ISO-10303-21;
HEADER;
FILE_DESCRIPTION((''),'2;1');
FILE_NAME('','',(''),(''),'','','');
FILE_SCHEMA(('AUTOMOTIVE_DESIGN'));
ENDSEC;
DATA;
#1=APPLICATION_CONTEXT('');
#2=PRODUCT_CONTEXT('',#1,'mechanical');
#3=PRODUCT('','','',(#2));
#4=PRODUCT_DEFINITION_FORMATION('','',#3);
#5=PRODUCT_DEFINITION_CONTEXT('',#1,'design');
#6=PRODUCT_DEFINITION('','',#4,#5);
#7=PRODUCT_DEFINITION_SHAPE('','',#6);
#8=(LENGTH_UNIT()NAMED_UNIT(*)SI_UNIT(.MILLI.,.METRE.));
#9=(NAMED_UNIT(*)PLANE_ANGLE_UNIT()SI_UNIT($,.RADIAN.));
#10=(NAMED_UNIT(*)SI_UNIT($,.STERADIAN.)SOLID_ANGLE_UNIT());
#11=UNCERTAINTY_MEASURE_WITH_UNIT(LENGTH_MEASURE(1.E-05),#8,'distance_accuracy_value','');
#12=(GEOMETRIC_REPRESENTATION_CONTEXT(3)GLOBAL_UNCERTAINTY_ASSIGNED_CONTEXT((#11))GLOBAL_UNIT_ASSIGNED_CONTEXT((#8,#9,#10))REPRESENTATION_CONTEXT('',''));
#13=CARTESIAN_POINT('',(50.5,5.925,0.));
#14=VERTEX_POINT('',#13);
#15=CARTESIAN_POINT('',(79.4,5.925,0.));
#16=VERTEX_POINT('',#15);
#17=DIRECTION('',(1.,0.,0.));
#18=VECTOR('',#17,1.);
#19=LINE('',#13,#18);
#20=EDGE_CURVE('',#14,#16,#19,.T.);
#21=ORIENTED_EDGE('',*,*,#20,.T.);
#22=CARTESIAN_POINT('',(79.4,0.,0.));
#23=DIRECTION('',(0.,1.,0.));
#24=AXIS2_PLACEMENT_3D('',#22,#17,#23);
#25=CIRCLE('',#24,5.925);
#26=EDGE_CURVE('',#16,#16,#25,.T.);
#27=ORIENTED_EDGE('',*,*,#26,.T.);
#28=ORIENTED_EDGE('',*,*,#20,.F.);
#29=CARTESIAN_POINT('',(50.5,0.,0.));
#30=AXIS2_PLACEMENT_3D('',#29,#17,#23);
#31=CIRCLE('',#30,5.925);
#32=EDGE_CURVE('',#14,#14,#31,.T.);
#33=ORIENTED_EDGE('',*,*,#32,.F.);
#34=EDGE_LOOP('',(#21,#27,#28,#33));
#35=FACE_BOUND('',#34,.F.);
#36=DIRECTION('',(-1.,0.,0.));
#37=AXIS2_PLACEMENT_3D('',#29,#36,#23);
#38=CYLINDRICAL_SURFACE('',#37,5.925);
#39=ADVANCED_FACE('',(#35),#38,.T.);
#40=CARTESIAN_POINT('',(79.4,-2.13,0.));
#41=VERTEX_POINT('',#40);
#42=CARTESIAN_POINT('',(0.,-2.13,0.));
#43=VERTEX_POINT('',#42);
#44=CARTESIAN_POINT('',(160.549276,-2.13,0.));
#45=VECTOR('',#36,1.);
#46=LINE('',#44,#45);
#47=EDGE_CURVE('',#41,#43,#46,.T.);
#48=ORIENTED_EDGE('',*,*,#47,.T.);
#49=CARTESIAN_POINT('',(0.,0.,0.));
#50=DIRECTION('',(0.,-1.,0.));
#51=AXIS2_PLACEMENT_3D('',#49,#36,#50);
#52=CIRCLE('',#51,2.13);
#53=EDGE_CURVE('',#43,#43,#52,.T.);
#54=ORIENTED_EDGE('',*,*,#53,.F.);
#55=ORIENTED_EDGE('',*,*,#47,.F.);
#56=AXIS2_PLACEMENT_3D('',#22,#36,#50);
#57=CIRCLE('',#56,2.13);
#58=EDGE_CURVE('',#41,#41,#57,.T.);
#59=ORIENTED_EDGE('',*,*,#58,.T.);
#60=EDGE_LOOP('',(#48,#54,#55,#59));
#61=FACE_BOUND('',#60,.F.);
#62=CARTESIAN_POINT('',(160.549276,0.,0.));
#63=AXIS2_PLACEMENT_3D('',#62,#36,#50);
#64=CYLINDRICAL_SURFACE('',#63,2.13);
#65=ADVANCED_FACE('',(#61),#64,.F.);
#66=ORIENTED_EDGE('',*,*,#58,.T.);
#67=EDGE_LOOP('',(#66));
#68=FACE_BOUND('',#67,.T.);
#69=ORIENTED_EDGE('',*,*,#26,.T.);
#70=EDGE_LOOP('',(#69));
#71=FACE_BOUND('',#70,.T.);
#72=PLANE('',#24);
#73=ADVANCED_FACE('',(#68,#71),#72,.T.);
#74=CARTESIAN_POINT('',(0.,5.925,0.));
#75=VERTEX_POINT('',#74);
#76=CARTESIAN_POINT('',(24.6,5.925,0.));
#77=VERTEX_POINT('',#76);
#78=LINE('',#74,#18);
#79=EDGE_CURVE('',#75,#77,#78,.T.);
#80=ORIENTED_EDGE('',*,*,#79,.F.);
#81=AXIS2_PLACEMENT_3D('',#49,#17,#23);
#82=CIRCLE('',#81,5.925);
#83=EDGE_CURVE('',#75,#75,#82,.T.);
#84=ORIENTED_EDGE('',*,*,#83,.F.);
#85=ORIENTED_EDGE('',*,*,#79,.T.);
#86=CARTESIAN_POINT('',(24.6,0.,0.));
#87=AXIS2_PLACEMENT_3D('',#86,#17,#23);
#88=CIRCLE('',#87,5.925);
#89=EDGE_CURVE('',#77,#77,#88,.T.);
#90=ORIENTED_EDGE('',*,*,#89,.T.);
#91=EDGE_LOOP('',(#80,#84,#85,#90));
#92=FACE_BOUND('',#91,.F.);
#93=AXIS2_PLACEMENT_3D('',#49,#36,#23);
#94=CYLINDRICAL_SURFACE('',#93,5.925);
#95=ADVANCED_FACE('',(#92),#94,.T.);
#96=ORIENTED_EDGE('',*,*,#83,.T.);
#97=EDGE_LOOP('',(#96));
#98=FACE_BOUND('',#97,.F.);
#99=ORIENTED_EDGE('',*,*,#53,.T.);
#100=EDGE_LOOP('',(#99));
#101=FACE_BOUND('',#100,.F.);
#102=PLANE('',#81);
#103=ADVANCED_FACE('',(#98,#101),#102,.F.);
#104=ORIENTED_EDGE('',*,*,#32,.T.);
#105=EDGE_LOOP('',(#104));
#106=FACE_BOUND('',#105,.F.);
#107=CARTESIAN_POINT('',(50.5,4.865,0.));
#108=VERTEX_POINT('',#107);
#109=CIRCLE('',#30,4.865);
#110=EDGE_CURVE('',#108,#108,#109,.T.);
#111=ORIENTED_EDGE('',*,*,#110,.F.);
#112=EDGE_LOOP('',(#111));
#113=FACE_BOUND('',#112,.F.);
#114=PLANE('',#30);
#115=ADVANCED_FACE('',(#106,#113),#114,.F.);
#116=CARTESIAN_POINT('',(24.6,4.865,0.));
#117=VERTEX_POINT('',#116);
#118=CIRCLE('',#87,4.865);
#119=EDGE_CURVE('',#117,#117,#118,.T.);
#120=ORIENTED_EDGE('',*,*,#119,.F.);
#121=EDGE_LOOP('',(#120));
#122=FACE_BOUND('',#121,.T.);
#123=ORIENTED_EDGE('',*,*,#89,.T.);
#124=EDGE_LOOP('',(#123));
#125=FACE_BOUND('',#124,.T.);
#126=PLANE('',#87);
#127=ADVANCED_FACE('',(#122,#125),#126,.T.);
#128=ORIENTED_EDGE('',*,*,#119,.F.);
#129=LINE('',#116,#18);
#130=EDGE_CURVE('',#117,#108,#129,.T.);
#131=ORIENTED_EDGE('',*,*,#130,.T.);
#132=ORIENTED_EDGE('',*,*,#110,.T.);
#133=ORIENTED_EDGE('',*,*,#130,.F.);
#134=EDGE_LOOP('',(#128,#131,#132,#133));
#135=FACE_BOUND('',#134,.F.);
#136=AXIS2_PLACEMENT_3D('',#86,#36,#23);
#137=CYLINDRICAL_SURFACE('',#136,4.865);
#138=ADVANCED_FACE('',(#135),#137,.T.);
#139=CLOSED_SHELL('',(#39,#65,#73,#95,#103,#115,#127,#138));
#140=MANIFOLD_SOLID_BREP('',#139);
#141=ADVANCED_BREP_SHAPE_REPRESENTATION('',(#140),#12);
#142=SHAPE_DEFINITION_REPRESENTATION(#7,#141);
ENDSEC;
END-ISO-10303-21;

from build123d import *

# Parameters (mm, degrees)
F0_R     = 5.925
F1_DEPTH = 24.6
F2_R     = 4.865
F3_DEPTH = 25.9
F4_R     = 5.925
F4_R_2   = 4.865
F5_DEPTH = 28.9
F7_D     = 4.26


with BuildPart() as f1:
    # F0 (on Right) → F1 (new body)
    with BuildSketch(Plane.YZ):
        Circle(F0_R)
    extrude(amount=F1_DEPTH)

    # F2 (on face) → F3 (join)
    with BuildSketch(Plane.YZ.offset(24.6)):
        Circle(F2_R)
    extrude(amount=F3_DEPTH)

    # F4 (on face) → F5 (join)
    with BuildSketch(Plane.YZ.offset(50.5)):
        Circle(F4_R)
        Circle(F4_R_2, mode=Mode.SUBTRACT)
        Circle(F4_R_2)
    extrude(amount=F5_DEPTH)

    # F7 (through all)
    with Locations(Plane.YZ.offset(79.4)):
        with Locations((0, 0)):
            Hole(F7_D / 2)


solid = f1.part
